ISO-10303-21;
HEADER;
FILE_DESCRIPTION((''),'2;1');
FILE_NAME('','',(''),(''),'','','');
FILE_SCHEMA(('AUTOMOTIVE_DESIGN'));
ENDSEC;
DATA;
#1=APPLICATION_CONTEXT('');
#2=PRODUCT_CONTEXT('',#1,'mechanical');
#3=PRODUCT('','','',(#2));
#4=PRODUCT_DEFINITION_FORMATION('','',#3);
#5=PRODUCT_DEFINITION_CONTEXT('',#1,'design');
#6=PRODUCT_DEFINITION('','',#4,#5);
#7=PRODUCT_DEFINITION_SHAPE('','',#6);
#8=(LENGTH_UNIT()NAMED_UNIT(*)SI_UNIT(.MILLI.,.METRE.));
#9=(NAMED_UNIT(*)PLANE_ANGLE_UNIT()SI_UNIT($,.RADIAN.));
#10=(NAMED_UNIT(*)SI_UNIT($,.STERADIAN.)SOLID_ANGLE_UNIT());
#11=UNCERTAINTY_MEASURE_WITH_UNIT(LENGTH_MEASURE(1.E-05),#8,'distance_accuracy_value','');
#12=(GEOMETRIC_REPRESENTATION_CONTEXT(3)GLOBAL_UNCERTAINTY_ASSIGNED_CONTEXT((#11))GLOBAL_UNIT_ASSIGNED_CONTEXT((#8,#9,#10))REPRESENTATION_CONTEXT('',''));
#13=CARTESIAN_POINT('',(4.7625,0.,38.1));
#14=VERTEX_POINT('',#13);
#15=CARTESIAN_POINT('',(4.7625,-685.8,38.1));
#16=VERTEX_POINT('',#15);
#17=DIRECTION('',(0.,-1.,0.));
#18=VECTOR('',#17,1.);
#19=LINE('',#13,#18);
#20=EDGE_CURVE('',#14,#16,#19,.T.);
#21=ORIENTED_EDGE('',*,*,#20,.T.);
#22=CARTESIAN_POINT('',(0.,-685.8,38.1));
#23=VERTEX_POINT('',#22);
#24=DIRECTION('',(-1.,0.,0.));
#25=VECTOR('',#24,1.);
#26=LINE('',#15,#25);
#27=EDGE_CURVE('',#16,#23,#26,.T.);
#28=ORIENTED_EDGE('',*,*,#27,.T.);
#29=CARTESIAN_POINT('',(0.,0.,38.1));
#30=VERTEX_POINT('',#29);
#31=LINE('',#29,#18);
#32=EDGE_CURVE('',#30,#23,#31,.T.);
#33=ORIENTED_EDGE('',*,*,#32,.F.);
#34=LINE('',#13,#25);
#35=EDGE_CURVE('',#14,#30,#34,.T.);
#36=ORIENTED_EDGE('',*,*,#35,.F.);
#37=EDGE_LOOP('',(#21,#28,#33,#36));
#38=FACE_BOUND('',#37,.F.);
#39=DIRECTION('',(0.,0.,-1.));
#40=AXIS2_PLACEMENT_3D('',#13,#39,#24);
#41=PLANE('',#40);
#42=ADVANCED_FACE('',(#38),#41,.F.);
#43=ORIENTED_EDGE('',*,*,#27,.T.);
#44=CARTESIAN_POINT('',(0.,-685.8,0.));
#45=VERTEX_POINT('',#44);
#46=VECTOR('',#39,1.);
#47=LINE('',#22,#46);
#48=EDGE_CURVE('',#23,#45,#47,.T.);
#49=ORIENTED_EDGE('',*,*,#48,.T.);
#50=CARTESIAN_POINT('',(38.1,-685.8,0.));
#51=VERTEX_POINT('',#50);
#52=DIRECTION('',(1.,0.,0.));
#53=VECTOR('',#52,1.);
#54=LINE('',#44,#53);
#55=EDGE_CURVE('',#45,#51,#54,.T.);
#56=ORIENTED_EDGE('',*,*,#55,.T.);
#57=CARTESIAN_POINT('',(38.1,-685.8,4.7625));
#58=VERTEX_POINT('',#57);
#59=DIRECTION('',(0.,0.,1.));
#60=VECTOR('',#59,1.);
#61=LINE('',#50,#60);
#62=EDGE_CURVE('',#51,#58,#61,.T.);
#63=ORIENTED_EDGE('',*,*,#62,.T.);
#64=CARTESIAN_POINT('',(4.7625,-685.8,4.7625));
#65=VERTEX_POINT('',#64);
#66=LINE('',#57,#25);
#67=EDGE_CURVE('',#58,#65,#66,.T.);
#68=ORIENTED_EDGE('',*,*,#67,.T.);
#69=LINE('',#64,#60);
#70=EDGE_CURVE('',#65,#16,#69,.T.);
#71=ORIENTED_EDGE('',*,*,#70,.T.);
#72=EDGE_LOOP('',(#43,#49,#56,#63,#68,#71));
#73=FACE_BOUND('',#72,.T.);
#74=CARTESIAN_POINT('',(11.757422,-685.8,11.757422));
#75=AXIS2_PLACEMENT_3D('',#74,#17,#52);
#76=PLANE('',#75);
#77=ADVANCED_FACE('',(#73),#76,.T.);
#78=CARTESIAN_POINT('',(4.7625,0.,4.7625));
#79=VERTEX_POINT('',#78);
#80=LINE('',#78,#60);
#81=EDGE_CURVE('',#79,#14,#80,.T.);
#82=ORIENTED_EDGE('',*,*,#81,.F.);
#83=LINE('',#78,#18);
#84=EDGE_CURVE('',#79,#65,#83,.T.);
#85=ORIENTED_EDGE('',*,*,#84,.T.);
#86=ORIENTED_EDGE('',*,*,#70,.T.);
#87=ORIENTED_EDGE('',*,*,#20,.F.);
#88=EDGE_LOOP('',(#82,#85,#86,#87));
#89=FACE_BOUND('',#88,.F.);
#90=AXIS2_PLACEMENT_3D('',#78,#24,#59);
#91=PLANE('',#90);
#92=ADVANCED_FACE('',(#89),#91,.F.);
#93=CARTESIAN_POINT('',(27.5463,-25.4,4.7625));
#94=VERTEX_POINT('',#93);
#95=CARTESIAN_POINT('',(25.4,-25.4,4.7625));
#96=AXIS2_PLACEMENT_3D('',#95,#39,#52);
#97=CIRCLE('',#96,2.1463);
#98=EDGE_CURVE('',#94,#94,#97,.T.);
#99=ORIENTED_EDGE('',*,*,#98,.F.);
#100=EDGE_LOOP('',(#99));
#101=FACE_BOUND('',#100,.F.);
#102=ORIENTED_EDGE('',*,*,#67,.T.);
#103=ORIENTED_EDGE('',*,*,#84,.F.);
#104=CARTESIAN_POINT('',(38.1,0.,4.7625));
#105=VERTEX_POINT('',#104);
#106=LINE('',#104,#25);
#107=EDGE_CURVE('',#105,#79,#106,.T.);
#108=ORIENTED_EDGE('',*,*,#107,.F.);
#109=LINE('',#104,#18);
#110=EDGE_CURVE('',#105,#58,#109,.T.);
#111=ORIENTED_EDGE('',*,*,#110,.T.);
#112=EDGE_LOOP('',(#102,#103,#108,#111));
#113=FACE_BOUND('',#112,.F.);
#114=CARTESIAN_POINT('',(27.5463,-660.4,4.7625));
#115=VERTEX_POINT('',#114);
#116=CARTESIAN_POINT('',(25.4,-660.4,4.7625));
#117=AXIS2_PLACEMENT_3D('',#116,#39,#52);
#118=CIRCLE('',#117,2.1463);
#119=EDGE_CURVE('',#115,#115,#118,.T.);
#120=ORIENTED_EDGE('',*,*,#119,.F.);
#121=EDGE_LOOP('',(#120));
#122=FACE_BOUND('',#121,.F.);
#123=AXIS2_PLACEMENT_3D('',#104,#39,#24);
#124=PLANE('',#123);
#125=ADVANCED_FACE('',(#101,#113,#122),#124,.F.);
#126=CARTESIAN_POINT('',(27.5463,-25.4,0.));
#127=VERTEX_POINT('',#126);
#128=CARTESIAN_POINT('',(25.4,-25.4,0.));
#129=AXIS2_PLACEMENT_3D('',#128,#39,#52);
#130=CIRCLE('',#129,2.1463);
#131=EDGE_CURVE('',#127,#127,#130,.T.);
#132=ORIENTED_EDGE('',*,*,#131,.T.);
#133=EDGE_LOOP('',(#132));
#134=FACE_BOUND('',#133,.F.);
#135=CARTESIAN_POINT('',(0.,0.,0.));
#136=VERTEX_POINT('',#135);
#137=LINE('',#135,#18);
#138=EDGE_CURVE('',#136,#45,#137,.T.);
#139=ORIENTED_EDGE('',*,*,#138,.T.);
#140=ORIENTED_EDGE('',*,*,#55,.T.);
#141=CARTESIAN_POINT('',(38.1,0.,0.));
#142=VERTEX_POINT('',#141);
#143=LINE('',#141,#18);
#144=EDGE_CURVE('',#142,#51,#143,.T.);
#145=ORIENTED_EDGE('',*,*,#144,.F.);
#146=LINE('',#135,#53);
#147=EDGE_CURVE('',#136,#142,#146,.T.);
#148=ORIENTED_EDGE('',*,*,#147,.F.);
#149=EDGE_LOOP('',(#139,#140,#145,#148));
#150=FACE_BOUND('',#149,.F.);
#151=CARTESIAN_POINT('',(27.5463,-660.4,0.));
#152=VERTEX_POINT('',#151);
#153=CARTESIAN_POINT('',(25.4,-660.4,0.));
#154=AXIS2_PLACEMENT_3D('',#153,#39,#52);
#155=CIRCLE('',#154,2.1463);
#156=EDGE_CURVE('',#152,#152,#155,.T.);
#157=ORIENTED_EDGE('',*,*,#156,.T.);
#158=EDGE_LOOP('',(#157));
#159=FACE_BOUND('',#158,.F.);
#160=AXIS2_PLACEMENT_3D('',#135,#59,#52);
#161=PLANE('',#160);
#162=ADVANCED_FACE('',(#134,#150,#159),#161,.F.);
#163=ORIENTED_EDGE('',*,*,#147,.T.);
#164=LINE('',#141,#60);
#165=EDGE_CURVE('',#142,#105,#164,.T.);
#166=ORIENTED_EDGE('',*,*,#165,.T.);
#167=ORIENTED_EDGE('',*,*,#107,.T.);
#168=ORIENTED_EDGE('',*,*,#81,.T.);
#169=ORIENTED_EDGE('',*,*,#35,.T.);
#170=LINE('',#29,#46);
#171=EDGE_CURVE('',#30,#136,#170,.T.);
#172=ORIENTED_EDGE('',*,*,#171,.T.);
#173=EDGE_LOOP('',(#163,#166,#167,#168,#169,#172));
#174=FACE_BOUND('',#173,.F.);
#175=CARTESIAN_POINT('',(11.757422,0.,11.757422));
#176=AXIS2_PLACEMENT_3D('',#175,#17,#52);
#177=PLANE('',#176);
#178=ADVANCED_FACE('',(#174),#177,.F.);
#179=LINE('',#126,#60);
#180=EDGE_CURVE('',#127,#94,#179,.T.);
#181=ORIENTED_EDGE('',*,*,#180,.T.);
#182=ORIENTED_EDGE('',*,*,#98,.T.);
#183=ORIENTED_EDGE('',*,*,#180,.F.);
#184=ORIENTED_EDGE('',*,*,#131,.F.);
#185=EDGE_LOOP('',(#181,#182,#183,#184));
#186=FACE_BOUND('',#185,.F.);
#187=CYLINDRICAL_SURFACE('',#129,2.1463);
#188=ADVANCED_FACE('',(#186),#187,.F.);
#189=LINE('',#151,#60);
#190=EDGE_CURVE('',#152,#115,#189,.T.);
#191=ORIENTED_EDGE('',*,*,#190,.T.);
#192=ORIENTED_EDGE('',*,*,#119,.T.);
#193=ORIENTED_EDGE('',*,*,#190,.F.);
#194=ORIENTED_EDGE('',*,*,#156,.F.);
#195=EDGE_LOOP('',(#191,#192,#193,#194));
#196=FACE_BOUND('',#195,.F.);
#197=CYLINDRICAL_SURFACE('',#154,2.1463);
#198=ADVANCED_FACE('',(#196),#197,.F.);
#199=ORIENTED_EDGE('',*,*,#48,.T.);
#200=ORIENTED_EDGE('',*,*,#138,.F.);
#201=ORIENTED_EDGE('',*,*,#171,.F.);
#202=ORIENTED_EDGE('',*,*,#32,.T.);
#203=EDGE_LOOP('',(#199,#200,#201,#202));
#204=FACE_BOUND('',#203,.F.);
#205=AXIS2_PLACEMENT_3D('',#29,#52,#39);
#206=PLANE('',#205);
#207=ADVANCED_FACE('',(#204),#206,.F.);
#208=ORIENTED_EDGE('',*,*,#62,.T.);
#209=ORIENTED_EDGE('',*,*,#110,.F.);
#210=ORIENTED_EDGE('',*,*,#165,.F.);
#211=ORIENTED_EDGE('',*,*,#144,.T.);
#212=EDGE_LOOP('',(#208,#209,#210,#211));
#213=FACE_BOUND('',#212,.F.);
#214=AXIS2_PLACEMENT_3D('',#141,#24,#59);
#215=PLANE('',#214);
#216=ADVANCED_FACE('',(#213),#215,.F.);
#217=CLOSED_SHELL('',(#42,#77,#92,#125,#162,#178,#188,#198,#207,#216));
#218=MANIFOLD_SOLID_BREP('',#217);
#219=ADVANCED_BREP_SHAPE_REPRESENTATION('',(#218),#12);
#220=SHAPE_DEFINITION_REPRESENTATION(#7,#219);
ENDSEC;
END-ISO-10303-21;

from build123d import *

# Parameters (mm, degrees)
F1_DEPTH = 685.8
F2_R     = 2.1463
F3_DEPTH = 25.4


with BuildPart() as f1:
    # F0 (on Front) → F1 (new body)
    with BuildSketch(Plane.XZ):
        Polygon((0, 38.1), (0, 0), (38.1, 0), (38.1, 4.7625), (4.7625, 4.7625), (4.7625, 38.1), align=None)
    extrude(amount=F1_DEPTH)

    # F2 (on face) → F3 (cut)
    with BuildSketch(Plane(origin=(0, 0, 0), x_dir=(1, 0, 0), z_dir=(0, 0, -1))):
        with Locations((25.4, 660.4)):
            Circle(F2_R)
        with Locations((25.4, 25.4)):
            Circle(F2_R)
    extrude(amount=-F3_DEPTH, mode=Mode.SUBTRACT)


solid = f1.part
